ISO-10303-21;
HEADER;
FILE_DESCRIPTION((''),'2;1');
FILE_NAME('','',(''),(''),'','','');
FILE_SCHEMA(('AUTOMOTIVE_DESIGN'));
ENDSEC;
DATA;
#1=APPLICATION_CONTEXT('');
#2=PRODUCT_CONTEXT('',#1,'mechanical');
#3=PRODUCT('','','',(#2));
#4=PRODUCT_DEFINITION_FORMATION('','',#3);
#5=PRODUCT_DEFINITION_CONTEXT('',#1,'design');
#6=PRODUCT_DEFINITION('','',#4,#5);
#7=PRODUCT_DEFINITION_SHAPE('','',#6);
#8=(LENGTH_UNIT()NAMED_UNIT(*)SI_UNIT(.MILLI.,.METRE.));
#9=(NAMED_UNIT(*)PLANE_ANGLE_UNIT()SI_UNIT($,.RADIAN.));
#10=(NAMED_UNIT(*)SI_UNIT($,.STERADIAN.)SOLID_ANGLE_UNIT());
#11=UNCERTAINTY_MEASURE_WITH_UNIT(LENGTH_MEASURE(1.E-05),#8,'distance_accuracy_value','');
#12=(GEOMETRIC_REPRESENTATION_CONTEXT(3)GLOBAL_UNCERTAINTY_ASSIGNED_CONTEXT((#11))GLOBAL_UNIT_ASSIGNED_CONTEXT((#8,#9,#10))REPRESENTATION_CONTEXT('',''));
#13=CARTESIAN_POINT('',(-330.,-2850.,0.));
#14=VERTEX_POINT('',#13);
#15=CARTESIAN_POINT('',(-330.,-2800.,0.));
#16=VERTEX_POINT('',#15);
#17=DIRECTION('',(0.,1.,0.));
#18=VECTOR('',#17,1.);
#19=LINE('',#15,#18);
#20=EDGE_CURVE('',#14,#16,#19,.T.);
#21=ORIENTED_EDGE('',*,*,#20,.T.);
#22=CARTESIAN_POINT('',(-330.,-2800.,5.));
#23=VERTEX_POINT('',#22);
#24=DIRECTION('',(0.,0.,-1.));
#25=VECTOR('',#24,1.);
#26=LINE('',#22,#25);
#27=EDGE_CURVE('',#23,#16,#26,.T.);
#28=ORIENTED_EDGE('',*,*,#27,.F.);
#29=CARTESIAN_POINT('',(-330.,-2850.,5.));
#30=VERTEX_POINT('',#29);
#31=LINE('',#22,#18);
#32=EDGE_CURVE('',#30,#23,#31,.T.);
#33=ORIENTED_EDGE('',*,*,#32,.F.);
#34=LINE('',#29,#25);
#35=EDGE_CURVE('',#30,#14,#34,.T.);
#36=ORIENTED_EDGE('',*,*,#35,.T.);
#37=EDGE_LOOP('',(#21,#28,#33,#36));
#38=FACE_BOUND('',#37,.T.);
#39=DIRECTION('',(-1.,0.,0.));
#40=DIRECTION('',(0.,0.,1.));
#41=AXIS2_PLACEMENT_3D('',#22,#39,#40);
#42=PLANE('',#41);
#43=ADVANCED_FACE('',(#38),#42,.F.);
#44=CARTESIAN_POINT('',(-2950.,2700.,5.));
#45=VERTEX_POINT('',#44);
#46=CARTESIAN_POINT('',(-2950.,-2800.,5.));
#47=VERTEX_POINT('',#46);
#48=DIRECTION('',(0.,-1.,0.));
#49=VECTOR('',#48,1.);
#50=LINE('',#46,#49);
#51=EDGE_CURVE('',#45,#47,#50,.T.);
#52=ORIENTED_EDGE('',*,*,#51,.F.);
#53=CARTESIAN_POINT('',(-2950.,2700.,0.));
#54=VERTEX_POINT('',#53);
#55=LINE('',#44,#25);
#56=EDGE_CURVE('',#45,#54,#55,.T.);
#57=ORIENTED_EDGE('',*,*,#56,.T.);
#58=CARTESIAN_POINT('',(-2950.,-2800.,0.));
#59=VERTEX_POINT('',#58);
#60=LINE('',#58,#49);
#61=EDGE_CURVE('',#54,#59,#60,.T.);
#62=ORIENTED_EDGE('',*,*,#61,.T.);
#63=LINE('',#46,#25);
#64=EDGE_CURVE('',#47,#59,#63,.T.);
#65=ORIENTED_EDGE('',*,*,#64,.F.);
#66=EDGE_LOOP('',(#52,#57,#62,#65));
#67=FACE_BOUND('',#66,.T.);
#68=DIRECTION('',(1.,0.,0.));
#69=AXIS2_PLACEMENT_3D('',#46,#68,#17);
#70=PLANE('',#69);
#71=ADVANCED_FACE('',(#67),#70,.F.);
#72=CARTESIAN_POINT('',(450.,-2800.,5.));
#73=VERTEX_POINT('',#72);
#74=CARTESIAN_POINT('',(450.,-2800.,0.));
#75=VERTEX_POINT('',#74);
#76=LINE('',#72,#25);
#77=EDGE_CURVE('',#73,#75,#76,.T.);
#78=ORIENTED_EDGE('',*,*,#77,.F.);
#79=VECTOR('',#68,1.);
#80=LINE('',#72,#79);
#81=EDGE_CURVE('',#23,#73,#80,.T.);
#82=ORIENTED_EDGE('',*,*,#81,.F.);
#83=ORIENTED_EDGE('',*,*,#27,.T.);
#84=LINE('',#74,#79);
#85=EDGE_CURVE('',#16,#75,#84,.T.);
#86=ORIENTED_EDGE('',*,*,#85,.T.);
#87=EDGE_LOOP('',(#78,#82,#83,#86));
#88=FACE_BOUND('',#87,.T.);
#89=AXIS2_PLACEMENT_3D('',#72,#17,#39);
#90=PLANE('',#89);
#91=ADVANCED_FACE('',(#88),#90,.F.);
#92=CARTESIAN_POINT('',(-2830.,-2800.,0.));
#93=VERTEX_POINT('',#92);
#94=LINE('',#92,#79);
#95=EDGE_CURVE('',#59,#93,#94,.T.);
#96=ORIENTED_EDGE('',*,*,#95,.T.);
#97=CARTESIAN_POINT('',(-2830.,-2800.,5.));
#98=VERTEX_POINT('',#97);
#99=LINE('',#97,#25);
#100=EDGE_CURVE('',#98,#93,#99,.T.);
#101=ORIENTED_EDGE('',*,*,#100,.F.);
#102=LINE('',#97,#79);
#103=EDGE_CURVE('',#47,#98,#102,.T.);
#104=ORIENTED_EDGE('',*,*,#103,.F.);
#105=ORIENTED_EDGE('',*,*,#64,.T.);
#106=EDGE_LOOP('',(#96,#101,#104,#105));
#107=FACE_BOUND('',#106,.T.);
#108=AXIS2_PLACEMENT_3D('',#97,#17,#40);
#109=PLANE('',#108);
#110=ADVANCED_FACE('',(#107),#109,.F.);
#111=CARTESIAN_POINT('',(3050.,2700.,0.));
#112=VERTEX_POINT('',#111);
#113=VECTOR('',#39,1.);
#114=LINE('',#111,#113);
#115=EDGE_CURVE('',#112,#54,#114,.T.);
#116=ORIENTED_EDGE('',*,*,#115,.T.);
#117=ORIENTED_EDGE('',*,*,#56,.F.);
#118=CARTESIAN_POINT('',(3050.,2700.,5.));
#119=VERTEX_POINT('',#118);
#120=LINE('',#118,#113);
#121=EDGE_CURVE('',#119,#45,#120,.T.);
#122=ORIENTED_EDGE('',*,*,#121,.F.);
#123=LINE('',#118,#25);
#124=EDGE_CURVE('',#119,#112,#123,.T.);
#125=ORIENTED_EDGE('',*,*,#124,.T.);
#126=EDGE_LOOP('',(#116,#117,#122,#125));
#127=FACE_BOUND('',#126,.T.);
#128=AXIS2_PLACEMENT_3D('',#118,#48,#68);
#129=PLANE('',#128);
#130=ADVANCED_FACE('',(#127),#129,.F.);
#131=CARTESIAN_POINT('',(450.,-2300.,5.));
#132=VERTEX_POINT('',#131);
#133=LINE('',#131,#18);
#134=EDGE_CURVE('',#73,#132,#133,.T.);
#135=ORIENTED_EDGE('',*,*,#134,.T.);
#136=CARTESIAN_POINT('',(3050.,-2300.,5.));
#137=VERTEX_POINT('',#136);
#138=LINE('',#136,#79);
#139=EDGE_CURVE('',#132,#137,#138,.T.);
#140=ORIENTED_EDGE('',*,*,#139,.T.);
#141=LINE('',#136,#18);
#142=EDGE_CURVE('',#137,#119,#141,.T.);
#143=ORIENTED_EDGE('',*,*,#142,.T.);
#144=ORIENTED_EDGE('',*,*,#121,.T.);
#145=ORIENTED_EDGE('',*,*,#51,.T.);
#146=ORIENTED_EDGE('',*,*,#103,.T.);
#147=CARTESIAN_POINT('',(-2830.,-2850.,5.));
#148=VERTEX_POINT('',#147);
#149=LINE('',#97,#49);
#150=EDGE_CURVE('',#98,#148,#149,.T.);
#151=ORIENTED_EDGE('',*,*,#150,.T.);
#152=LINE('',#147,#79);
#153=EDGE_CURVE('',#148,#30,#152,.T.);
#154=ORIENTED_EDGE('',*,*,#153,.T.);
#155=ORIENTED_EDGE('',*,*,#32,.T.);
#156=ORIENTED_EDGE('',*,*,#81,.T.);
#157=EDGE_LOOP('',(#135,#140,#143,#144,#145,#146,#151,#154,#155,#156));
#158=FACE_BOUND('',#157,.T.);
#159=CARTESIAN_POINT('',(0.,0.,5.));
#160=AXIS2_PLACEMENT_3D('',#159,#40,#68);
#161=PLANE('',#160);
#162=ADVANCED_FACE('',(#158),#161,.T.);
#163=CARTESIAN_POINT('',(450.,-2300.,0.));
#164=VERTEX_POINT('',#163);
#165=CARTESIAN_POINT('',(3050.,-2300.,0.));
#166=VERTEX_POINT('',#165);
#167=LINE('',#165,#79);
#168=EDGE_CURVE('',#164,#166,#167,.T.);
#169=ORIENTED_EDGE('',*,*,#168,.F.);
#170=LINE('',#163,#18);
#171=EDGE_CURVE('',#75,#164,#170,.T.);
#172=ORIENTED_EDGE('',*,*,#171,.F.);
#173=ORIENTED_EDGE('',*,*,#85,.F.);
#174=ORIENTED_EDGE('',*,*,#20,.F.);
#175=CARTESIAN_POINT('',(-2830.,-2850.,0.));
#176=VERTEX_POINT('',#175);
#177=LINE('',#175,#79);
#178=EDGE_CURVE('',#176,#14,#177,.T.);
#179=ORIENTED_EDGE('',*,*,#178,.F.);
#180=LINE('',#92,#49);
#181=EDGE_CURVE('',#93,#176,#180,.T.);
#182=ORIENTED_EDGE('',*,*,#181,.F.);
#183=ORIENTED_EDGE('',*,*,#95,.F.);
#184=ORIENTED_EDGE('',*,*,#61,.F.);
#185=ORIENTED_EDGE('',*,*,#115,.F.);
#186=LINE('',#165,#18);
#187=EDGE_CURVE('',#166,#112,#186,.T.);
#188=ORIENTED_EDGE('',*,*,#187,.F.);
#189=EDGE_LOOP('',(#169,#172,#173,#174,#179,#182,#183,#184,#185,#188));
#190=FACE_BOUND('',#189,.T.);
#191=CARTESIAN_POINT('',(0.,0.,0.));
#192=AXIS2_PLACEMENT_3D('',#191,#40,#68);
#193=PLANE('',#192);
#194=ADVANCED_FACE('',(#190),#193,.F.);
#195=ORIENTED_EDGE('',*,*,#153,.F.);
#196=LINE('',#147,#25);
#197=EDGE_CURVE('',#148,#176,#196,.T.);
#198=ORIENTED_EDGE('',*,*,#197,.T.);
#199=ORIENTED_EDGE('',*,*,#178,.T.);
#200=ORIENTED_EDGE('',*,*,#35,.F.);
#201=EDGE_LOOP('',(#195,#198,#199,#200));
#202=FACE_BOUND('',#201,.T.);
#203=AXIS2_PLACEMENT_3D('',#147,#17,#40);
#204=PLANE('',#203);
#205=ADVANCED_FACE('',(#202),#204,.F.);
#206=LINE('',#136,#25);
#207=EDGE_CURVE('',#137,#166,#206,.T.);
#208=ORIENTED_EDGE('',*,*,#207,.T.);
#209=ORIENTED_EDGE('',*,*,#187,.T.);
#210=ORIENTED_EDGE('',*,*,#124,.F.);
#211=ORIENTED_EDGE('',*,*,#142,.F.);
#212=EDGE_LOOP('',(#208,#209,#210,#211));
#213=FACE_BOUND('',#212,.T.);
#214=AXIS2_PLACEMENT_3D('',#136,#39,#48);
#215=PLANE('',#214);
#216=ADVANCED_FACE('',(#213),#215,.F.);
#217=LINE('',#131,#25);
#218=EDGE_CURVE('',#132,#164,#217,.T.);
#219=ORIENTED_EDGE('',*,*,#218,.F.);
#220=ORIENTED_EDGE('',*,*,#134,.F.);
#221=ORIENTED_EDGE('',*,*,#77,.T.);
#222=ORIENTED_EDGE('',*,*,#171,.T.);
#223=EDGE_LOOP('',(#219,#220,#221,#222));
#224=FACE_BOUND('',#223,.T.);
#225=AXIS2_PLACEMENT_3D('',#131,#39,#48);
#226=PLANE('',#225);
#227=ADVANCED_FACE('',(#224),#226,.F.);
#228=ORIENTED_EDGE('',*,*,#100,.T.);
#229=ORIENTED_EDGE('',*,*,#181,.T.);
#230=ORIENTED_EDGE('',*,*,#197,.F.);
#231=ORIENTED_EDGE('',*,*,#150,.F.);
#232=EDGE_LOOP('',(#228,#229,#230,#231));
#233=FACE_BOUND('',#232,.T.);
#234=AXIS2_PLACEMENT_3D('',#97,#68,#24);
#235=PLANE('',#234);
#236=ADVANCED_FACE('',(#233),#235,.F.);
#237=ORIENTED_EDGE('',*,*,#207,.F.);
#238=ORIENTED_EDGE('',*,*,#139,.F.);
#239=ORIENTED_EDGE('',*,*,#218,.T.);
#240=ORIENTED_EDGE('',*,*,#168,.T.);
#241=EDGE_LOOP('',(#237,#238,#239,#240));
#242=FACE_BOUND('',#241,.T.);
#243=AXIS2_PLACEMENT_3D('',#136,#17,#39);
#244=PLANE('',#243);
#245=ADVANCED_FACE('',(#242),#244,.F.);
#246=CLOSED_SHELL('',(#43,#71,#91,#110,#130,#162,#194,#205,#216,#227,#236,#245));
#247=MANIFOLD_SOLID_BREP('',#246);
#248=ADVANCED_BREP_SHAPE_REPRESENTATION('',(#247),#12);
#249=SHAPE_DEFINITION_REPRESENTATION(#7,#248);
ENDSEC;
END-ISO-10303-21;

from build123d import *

# Parameters (mm, degrees)
BOSS_EXTRUDE1_DEPTH = 5


with BuildPart() as part:
    # Sketch1 → Boss-Extrude1 (new body)
    with BuildSketch(Plane.XY):
        Polygon((-2830, -2800), (-2950, -2800), (-2950, 2700), (3050, 2700), (3050, -2300), (450, -2300), (450, -2800), (-330, -2800), (-330, -2850), (-2830, -2850), align=None)
    extrude(amount=BOSS_EXTRUDE1_DEPTH)


solid = part.part
